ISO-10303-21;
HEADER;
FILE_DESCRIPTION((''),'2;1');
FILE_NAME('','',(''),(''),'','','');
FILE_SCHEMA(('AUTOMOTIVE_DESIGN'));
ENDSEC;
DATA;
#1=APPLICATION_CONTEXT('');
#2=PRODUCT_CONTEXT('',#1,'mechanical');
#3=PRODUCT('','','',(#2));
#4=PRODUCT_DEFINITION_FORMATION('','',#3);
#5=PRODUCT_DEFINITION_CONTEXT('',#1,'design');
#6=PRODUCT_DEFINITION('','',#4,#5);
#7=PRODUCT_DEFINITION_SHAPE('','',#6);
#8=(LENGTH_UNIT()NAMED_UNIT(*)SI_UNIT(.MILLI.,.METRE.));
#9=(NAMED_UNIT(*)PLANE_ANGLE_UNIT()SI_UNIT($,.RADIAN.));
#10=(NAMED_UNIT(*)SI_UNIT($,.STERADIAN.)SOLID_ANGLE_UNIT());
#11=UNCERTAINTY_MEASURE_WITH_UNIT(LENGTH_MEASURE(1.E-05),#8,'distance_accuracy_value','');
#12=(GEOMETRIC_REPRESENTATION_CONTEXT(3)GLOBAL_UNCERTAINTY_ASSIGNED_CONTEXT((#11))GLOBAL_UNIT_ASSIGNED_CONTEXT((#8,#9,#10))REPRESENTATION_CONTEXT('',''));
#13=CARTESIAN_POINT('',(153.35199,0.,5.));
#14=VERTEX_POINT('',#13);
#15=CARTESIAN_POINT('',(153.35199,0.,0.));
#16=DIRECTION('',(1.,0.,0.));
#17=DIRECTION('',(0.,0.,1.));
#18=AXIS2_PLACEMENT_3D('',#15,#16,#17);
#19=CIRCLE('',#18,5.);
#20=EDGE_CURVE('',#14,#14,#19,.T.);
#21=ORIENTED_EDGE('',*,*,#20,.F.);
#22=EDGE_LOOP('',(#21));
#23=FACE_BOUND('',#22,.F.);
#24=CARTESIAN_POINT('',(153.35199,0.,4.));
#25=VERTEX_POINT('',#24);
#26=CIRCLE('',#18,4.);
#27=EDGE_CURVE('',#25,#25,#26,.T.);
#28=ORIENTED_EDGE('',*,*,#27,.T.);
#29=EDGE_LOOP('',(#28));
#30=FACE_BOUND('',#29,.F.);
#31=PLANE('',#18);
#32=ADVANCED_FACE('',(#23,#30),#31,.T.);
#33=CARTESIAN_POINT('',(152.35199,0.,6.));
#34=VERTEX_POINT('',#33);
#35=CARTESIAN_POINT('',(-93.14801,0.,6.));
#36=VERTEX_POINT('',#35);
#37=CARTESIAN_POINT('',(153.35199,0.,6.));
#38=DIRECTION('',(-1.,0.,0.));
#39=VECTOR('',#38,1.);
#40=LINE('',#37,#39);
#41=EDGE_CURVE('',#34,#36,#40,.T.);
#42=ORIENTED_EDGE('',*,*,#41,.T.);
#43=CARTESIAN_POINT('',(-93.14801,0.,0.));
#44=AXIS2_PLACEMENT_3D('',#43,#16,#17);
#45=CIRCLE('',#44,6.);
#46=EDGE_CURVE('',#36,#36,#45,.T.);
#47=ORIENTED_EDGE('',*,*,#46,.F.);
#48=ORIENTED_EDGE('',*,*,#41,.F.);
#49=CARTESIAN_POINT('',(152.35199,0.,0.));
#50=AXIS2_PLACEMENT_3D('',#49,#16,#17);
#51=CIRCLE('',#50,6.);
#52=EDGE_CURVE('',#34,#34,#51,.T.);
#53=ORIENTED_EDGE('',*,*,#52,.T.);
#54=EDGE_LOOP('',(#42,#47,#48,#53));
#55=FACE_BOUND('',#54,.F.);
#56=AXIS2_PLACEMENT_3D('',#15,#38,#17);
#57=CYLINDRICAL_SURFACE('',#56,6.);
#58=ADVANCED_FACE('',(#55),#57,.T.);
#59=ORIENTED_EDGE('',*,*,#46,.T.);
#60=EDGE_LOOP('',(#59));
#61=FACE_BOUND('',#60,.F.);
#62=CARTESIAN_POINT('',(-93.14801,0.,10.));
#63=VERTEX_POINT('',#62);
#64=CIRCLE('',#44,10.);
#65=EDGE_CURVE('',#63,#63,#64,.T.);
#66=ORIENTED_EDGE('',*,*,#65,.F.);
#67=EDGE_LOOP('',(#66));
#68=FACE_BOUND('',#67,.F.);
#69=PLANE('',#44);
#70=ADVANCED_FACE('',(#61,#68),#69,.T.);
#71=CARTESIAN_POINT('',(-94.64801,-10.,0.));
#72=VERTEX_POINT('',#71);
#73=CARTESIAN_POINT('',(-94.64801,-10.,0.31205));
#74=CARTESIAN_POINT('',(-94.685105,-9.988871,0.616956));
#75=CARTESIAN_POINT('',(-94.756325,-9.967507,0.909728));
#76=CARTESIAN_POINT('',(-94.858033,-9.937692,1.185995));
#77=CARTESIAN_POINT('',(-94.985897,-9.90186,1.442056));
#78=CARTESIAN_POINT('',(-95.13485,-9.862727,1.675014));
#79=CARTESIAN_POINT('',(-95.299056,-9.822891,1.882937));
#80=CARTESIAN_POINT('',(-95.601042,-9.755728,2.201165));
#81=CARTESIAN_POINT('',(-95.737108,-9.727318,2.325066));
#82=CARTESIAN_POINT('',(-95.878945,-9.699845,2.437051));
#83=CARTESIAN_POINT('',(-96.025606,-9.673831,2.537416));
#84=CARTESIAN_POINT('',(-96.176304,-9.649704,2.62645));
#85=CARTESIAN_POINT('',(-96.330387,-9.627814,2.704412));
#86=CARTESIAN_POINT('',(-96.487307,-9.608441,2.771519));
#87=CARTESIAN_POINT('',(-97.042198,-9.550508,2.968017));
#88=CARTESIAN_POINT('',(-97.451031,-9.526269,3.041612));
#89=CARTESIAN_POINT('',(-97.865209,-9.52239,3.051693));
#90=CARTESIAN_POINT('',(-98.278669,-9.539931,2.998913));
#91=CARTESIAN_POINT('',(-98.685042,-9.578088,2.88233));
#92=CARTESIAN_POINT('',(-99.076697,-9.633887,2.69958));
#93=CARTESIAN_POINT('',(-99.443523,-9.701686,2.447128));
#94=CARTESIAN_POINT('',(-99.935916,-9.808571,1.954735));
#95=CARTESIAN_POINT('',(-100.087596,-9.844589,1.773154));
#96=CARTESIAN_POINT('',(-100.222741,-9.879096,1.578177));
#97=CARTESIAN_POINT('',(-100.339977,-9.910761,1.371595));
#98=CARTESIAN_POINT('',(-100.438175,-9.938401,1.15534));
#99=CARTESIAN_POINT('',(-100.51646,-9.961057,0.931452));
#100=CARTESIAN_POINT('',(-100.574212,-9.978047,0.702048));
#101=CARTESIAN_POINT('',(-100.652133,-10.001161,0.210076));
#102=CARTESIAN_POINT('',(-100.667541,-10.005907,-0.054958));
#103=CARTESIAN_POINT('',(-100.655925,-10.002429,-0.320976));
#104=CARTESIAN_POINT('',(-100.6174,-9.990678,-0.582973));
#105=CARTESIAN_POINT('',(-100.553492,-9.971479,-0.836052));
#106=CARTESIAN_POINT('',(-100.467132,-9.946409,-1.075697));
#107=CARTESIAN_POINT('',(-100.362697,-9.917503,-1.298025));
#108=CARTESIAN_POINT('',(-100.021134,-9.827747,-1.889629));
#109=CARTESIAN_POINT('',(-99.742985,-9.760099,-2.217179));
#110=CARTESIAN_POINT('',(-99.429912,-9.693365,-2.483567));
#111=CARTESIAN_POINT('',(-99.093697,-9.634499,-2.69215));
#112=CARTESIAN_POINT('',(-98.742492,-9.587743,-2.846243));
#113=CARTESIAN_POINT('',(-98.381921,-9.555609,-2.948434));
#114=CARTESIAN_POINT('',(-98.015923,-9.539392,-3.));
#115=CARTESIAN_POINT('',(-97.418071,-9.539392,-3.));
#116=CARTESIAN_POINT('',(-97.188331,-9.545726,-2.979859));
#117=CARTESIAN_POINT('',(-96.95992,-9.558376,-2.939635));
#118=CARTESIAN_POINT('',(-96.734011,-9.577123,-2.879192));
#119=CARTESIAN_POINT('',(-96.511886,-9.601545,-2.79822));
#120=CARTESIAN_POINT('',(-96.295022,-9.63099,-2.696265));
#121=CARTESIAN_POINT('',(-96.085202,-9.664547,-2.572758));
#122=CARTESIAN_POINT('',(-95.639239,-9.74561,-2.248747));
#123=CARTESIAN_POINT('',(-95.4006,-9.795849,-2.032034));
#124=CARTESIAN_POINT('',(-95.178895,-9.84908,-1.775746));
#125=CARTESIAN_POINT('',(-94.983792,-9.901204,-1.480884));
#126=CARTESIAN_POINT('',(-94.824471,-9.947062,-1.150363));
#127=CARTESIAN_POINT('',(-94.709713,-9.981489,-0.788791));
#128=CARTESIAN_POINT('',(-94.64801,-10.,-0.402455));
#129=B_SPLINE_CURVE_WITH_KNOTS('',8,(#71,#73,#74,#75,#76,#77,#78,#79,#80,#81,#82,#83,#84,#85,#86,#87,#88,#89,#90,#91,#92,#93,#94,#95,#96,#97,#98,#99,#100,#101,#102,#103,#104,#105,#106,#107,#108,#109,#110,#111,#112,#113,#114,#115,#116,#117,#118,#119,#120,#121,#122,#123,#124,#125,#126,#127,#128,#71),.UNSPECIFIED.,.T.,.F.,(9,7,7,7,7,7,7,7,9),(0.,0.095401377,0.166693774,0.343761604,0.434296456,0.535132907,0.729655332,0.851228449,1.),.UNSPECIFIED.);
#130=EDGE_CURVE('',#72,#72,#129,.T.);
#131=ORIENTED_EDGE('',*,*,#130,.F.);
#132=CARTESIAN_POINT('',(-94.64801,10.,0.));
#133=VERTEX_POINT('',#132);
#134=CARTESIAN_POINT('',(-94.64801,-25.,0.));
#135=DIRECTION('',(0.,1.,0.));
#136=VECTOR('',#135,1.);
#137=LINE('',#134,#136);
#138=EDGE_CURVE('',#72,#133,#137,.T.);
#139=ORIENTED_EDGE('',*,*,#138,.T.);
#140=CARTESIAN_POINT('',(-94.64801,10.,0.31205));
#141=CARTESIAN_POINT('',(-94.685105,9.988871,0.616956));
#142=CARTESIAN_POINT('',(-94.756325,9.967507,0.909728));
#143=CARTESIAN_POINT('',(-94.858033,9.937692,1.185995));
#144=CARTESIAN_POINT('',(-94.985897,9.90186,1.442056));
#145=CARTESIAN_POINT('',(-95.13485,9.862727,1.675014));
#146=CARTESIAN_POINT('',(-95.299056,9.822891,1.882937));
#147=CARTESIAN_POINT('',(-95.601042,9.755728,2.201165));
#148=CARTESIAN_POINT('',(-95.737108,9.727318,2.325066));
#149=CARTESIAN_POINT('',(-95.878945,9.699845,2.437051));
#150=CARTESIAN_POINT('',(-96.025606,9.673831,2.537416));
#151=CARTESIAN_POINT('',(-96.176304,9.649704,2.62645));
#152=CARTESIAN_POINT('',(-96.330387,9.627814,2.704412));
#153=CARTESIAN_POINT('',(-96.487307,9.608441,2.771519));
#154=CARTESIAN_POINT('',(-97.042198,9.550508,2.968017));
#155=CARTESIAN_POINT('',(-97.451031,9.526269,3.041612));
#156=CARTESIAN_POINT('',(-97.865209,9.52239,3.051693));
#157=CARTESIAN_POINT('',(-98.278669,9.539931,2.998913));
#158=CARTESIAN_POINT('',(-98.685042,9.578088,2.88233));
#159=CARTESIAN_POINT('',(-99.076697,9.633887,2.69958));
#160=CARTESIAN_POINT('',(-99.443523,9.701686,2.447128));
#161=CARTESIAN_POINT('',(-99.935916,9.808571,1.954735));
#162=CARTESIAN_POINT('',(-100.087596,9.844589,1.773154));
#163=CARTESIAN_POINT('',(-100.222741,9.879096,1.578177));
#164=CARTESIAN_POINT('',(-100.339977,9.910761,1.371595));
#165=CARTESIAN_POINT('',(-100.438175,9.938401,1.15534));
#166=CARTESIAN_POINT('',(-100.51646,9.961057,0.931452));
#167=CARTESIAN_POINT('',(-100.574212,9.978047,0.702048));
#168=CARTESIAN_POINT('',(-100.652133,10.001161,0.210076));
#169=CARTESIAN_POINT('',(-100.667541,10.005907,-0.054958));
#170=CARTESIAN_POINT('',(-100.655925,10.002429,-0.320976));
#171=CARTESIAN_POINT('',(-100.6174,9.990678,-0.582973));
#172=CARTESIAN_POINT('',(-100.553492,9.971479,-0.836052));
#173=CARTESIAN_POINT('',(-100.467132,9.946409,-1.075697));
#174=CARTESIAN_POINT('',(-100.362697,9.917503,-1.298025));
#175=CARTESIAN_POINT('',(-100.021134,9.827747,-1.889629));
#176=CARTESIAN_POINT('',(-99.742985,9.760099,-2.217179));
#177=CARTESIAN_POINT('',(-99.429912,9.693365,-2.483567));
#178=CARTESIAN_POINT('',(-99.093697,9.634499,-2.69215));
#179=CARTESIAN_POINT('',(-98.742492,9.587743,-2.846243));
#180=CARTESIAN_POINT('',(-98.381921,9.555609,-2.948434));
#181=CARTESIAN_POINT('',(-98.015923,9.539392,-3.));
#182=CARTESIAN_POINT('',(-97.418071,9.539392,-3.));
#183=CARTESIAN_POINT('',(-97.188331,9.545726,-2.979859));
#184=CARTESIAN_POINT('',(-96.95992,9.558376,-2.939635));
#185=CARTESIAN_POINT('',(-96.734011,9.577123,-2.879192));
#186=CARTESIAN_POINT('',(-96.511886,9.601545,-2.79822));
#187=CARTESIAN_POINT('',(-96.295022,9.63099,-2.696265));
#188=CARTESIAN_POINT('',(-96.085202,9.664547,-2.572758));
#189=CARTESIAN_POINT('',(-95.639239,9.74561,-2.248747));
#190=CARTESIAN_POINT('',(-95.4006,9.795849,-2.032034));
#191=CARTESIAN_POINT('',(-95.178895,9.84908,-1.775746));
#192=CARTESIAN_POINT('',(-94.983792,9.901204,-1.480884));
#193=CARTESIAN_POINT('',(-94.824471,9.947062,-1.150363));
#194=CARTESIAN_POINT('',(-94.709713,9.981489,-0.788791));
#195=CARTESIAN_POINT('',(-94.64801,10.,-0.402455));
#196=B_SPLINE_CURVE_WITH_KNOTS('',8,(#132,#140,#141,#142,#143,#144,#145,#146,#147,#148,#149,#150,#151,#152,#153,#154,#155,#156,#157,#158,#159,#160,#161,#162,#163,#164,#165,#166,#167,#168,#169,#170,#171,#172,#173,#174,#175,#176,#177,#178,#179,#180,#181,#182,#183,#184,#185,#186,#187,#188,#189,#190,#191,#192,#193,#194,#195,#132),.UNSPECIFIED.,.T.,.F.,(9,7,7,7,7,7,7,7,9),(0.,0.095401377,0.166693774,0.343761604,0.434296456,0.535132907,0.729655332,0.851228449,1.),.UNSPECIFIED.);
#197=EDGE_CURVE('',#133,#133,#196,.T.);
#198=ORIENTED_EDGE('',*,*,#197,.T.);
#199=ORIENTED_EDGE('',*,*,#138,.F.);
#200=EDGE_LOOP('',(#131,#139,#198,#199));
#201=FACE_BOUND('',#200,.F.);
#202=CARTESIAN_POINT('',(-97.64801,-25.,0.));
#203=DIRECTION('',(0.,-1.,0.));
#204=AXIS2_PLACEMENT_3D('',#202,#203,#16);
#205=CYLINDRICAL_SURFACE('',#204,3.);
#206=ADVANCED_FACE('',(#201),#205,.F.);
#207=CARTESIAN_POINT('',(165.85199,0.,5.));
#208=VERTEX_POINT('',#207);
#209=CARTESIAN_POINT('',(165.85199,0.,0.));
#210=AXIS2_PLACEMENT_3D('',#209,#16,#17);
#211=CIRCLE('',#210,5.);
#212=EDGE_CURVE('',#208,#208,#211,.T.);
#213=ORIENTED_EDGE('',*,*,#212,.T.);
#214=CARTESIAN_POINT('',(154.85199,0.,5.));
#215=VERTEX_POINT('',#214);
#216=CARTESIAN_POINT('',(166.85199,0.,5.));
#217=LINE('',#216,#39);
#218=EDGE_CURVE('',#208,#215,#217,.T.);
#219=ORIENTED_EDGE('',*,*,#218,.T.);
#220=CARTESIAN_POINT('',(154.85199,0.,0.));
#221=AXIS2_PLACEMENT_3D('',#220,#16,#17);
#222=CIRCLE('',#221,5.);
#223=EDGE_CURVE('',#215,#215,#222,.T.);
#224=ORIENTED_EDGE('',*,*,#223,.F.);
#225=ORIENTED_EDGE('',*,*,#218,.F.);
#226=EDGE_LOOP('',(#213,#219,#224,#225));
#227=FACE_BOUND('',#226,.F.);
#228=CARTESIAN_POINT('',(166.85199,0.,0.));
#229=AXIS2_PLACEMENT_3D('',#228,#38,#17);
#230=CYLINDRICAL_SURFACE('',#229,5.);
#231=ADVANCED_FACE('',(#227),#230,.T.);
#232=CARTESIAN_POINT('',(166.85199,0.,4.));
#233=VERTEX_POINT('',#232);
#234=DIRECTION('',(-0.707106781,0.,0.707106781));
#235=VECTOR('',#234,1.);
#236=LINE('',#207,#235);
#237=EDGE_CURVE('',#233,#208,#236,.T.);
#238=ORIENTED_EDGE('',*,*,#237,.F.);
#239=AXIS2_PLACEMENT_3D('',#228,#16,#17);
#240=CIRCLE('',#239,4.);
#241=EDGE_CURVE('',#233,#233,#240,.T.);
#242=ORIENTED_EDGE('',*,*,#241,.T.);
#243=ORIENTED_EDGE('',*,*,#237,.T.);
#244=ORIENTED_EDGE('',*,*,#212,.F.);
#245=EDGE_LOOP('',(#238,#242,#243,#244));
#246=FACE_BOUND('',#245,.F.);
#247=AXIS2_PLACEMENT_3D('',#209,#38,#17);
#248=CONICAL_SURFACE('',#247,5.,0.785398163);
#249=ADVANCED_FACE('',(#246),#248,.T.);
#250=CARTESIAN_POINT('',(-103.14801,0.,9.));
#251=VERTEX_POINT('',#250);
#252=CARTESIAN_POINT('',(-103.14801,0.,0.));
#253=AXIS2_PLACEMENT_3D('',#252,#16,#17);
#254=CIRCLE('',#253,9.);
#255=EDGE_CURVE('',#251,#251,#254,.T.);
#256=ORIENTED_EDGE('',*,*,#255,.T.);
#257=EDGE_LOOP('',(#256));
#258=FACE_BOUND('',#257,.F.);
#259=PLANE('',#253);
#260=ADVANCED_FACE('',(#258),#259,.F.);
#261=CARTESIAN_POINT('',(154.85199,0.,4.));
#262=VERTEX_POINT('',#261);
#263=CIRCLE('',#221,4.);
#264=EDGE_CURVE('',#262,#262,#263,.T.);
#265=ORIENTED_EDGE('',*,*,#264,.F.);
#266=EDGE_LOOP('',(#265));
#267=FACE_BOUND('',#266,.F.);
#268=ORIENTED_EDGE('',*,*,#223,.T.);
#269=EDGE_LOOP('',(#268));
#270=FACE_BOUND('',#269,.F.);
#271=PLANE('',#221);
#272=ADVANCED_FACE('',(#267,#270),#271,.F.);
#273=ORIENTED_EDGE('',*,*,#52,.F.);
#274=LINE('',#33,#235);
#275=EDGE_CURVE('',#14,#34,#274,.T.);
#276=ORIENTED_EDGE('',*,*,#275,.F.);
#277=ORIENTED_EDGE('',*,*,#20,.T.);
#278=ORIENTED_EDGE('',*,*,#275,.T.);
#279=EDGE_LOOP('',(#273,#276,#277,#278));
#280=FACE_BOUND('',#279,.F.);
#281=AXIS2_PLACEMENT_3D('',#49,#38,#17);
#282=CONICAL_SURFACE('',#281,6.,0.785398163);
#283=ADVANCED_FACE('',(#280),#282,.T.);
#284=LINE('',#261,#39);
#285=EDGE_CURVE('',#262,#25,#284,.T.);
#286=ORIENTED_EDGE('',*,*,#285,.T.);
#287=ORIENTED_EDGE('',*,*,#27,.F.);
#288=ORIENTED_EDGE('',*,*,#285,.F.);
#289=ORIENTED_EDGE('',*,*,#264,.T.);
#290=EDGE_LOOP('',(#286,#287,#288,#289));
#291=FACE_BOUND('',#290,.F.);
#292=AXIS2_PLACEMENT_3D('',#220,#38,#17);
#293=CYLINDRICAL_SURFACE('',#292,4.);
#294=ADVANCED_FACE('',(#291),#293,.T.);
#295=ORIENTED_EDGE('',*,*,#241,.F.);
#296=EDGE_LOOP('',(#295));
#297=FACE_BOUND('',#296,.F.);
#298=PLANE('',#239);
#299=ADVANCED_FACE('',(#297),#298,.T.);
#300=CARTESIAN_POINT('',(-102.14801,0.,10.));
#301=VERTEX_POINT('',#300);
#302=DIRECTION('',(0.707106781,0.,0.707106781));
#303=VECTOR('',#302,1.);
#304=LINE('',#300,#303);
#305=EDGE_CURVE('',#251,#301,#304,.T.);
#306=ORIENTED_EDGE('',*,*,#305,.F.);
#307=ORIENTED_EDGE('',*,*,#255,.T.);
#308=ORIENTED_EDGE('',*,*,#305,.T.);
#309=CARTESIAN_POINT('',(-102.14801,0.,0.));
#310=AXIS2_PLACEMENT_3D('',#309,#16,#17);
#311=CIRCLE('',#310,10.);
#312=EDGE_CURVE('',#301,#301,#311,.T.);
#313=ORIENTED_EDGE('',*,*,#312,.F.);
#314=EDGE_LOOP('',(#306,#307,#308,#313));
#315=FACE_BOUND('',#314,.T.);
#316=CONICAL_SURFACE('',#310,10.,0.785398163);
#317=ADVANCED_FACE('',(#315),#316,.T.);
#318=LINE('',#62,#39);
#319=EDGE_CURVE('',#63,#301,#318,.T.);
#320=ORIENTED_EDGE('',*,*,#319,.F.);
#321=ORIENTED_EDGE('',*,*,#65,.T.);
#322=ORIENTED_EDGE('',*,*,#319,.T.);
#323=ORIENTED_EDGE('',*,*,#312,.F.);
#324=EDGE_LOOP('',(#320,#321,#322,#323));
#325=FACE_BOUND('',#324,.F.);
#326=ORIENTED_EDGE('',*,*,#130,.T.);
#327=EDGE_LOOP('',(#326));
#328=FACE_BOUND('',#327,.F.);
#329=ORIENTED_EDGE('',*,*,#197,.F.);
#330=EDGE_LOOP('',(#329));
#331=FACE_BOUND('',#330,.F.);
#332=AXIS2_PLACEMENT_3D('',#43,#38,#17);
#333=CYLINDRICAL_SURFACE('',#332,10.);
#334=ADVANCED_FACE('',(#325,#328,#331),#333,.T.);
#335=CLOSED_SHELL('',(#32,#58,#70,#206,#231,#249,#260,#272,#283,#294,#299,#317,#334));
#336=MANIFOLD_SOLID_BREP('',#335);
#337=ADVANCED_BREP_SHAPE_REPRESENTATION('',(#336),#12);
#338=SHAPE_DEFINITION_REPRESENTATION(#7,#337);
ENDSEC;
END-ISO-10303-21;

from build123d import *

# Parameters (mm, degrees)
F2_SIZE  = 1
F4_R     = 3
F5_DEPTH = 39.4


with BuildPart() as f1:
    # F0 (on Front) → F1 (revolve)
    with BuildSketch(Plane.XZ):
        Polygon((-103.14801, 10), (-103.14801, 0), (166.85199, 0), (166.85199, 5), (154.85199, 5), (154.85199, 4), (153.35199, 4), (153.35199, 6), (-93.14801, 6), (-93.14801, 10), align=None)
    revolve(axis=Axis((31.85199, 0, 0), (1, 0, 0)))

    # F2
    f2_edges = [f1.edges().sort_by_distance(p)[0] for p in [
        (153.35199, 0, -6),
        (-103.14801, 0, -10),
        (166.85199, 0, -5),
    ]]
    chamfer(f2_edges, length=F2_SIZE)

    # F4 (on offset) → F5 (cut)
    with BuildSketch(Plane.XZ.offset(25)):
        with Locations((-97.64801, 0)):
            Circle(F4_R)
    extrude(amount=-F5_DEPTH, mode=Mode.SUBTRACT)


solid = f1.part
